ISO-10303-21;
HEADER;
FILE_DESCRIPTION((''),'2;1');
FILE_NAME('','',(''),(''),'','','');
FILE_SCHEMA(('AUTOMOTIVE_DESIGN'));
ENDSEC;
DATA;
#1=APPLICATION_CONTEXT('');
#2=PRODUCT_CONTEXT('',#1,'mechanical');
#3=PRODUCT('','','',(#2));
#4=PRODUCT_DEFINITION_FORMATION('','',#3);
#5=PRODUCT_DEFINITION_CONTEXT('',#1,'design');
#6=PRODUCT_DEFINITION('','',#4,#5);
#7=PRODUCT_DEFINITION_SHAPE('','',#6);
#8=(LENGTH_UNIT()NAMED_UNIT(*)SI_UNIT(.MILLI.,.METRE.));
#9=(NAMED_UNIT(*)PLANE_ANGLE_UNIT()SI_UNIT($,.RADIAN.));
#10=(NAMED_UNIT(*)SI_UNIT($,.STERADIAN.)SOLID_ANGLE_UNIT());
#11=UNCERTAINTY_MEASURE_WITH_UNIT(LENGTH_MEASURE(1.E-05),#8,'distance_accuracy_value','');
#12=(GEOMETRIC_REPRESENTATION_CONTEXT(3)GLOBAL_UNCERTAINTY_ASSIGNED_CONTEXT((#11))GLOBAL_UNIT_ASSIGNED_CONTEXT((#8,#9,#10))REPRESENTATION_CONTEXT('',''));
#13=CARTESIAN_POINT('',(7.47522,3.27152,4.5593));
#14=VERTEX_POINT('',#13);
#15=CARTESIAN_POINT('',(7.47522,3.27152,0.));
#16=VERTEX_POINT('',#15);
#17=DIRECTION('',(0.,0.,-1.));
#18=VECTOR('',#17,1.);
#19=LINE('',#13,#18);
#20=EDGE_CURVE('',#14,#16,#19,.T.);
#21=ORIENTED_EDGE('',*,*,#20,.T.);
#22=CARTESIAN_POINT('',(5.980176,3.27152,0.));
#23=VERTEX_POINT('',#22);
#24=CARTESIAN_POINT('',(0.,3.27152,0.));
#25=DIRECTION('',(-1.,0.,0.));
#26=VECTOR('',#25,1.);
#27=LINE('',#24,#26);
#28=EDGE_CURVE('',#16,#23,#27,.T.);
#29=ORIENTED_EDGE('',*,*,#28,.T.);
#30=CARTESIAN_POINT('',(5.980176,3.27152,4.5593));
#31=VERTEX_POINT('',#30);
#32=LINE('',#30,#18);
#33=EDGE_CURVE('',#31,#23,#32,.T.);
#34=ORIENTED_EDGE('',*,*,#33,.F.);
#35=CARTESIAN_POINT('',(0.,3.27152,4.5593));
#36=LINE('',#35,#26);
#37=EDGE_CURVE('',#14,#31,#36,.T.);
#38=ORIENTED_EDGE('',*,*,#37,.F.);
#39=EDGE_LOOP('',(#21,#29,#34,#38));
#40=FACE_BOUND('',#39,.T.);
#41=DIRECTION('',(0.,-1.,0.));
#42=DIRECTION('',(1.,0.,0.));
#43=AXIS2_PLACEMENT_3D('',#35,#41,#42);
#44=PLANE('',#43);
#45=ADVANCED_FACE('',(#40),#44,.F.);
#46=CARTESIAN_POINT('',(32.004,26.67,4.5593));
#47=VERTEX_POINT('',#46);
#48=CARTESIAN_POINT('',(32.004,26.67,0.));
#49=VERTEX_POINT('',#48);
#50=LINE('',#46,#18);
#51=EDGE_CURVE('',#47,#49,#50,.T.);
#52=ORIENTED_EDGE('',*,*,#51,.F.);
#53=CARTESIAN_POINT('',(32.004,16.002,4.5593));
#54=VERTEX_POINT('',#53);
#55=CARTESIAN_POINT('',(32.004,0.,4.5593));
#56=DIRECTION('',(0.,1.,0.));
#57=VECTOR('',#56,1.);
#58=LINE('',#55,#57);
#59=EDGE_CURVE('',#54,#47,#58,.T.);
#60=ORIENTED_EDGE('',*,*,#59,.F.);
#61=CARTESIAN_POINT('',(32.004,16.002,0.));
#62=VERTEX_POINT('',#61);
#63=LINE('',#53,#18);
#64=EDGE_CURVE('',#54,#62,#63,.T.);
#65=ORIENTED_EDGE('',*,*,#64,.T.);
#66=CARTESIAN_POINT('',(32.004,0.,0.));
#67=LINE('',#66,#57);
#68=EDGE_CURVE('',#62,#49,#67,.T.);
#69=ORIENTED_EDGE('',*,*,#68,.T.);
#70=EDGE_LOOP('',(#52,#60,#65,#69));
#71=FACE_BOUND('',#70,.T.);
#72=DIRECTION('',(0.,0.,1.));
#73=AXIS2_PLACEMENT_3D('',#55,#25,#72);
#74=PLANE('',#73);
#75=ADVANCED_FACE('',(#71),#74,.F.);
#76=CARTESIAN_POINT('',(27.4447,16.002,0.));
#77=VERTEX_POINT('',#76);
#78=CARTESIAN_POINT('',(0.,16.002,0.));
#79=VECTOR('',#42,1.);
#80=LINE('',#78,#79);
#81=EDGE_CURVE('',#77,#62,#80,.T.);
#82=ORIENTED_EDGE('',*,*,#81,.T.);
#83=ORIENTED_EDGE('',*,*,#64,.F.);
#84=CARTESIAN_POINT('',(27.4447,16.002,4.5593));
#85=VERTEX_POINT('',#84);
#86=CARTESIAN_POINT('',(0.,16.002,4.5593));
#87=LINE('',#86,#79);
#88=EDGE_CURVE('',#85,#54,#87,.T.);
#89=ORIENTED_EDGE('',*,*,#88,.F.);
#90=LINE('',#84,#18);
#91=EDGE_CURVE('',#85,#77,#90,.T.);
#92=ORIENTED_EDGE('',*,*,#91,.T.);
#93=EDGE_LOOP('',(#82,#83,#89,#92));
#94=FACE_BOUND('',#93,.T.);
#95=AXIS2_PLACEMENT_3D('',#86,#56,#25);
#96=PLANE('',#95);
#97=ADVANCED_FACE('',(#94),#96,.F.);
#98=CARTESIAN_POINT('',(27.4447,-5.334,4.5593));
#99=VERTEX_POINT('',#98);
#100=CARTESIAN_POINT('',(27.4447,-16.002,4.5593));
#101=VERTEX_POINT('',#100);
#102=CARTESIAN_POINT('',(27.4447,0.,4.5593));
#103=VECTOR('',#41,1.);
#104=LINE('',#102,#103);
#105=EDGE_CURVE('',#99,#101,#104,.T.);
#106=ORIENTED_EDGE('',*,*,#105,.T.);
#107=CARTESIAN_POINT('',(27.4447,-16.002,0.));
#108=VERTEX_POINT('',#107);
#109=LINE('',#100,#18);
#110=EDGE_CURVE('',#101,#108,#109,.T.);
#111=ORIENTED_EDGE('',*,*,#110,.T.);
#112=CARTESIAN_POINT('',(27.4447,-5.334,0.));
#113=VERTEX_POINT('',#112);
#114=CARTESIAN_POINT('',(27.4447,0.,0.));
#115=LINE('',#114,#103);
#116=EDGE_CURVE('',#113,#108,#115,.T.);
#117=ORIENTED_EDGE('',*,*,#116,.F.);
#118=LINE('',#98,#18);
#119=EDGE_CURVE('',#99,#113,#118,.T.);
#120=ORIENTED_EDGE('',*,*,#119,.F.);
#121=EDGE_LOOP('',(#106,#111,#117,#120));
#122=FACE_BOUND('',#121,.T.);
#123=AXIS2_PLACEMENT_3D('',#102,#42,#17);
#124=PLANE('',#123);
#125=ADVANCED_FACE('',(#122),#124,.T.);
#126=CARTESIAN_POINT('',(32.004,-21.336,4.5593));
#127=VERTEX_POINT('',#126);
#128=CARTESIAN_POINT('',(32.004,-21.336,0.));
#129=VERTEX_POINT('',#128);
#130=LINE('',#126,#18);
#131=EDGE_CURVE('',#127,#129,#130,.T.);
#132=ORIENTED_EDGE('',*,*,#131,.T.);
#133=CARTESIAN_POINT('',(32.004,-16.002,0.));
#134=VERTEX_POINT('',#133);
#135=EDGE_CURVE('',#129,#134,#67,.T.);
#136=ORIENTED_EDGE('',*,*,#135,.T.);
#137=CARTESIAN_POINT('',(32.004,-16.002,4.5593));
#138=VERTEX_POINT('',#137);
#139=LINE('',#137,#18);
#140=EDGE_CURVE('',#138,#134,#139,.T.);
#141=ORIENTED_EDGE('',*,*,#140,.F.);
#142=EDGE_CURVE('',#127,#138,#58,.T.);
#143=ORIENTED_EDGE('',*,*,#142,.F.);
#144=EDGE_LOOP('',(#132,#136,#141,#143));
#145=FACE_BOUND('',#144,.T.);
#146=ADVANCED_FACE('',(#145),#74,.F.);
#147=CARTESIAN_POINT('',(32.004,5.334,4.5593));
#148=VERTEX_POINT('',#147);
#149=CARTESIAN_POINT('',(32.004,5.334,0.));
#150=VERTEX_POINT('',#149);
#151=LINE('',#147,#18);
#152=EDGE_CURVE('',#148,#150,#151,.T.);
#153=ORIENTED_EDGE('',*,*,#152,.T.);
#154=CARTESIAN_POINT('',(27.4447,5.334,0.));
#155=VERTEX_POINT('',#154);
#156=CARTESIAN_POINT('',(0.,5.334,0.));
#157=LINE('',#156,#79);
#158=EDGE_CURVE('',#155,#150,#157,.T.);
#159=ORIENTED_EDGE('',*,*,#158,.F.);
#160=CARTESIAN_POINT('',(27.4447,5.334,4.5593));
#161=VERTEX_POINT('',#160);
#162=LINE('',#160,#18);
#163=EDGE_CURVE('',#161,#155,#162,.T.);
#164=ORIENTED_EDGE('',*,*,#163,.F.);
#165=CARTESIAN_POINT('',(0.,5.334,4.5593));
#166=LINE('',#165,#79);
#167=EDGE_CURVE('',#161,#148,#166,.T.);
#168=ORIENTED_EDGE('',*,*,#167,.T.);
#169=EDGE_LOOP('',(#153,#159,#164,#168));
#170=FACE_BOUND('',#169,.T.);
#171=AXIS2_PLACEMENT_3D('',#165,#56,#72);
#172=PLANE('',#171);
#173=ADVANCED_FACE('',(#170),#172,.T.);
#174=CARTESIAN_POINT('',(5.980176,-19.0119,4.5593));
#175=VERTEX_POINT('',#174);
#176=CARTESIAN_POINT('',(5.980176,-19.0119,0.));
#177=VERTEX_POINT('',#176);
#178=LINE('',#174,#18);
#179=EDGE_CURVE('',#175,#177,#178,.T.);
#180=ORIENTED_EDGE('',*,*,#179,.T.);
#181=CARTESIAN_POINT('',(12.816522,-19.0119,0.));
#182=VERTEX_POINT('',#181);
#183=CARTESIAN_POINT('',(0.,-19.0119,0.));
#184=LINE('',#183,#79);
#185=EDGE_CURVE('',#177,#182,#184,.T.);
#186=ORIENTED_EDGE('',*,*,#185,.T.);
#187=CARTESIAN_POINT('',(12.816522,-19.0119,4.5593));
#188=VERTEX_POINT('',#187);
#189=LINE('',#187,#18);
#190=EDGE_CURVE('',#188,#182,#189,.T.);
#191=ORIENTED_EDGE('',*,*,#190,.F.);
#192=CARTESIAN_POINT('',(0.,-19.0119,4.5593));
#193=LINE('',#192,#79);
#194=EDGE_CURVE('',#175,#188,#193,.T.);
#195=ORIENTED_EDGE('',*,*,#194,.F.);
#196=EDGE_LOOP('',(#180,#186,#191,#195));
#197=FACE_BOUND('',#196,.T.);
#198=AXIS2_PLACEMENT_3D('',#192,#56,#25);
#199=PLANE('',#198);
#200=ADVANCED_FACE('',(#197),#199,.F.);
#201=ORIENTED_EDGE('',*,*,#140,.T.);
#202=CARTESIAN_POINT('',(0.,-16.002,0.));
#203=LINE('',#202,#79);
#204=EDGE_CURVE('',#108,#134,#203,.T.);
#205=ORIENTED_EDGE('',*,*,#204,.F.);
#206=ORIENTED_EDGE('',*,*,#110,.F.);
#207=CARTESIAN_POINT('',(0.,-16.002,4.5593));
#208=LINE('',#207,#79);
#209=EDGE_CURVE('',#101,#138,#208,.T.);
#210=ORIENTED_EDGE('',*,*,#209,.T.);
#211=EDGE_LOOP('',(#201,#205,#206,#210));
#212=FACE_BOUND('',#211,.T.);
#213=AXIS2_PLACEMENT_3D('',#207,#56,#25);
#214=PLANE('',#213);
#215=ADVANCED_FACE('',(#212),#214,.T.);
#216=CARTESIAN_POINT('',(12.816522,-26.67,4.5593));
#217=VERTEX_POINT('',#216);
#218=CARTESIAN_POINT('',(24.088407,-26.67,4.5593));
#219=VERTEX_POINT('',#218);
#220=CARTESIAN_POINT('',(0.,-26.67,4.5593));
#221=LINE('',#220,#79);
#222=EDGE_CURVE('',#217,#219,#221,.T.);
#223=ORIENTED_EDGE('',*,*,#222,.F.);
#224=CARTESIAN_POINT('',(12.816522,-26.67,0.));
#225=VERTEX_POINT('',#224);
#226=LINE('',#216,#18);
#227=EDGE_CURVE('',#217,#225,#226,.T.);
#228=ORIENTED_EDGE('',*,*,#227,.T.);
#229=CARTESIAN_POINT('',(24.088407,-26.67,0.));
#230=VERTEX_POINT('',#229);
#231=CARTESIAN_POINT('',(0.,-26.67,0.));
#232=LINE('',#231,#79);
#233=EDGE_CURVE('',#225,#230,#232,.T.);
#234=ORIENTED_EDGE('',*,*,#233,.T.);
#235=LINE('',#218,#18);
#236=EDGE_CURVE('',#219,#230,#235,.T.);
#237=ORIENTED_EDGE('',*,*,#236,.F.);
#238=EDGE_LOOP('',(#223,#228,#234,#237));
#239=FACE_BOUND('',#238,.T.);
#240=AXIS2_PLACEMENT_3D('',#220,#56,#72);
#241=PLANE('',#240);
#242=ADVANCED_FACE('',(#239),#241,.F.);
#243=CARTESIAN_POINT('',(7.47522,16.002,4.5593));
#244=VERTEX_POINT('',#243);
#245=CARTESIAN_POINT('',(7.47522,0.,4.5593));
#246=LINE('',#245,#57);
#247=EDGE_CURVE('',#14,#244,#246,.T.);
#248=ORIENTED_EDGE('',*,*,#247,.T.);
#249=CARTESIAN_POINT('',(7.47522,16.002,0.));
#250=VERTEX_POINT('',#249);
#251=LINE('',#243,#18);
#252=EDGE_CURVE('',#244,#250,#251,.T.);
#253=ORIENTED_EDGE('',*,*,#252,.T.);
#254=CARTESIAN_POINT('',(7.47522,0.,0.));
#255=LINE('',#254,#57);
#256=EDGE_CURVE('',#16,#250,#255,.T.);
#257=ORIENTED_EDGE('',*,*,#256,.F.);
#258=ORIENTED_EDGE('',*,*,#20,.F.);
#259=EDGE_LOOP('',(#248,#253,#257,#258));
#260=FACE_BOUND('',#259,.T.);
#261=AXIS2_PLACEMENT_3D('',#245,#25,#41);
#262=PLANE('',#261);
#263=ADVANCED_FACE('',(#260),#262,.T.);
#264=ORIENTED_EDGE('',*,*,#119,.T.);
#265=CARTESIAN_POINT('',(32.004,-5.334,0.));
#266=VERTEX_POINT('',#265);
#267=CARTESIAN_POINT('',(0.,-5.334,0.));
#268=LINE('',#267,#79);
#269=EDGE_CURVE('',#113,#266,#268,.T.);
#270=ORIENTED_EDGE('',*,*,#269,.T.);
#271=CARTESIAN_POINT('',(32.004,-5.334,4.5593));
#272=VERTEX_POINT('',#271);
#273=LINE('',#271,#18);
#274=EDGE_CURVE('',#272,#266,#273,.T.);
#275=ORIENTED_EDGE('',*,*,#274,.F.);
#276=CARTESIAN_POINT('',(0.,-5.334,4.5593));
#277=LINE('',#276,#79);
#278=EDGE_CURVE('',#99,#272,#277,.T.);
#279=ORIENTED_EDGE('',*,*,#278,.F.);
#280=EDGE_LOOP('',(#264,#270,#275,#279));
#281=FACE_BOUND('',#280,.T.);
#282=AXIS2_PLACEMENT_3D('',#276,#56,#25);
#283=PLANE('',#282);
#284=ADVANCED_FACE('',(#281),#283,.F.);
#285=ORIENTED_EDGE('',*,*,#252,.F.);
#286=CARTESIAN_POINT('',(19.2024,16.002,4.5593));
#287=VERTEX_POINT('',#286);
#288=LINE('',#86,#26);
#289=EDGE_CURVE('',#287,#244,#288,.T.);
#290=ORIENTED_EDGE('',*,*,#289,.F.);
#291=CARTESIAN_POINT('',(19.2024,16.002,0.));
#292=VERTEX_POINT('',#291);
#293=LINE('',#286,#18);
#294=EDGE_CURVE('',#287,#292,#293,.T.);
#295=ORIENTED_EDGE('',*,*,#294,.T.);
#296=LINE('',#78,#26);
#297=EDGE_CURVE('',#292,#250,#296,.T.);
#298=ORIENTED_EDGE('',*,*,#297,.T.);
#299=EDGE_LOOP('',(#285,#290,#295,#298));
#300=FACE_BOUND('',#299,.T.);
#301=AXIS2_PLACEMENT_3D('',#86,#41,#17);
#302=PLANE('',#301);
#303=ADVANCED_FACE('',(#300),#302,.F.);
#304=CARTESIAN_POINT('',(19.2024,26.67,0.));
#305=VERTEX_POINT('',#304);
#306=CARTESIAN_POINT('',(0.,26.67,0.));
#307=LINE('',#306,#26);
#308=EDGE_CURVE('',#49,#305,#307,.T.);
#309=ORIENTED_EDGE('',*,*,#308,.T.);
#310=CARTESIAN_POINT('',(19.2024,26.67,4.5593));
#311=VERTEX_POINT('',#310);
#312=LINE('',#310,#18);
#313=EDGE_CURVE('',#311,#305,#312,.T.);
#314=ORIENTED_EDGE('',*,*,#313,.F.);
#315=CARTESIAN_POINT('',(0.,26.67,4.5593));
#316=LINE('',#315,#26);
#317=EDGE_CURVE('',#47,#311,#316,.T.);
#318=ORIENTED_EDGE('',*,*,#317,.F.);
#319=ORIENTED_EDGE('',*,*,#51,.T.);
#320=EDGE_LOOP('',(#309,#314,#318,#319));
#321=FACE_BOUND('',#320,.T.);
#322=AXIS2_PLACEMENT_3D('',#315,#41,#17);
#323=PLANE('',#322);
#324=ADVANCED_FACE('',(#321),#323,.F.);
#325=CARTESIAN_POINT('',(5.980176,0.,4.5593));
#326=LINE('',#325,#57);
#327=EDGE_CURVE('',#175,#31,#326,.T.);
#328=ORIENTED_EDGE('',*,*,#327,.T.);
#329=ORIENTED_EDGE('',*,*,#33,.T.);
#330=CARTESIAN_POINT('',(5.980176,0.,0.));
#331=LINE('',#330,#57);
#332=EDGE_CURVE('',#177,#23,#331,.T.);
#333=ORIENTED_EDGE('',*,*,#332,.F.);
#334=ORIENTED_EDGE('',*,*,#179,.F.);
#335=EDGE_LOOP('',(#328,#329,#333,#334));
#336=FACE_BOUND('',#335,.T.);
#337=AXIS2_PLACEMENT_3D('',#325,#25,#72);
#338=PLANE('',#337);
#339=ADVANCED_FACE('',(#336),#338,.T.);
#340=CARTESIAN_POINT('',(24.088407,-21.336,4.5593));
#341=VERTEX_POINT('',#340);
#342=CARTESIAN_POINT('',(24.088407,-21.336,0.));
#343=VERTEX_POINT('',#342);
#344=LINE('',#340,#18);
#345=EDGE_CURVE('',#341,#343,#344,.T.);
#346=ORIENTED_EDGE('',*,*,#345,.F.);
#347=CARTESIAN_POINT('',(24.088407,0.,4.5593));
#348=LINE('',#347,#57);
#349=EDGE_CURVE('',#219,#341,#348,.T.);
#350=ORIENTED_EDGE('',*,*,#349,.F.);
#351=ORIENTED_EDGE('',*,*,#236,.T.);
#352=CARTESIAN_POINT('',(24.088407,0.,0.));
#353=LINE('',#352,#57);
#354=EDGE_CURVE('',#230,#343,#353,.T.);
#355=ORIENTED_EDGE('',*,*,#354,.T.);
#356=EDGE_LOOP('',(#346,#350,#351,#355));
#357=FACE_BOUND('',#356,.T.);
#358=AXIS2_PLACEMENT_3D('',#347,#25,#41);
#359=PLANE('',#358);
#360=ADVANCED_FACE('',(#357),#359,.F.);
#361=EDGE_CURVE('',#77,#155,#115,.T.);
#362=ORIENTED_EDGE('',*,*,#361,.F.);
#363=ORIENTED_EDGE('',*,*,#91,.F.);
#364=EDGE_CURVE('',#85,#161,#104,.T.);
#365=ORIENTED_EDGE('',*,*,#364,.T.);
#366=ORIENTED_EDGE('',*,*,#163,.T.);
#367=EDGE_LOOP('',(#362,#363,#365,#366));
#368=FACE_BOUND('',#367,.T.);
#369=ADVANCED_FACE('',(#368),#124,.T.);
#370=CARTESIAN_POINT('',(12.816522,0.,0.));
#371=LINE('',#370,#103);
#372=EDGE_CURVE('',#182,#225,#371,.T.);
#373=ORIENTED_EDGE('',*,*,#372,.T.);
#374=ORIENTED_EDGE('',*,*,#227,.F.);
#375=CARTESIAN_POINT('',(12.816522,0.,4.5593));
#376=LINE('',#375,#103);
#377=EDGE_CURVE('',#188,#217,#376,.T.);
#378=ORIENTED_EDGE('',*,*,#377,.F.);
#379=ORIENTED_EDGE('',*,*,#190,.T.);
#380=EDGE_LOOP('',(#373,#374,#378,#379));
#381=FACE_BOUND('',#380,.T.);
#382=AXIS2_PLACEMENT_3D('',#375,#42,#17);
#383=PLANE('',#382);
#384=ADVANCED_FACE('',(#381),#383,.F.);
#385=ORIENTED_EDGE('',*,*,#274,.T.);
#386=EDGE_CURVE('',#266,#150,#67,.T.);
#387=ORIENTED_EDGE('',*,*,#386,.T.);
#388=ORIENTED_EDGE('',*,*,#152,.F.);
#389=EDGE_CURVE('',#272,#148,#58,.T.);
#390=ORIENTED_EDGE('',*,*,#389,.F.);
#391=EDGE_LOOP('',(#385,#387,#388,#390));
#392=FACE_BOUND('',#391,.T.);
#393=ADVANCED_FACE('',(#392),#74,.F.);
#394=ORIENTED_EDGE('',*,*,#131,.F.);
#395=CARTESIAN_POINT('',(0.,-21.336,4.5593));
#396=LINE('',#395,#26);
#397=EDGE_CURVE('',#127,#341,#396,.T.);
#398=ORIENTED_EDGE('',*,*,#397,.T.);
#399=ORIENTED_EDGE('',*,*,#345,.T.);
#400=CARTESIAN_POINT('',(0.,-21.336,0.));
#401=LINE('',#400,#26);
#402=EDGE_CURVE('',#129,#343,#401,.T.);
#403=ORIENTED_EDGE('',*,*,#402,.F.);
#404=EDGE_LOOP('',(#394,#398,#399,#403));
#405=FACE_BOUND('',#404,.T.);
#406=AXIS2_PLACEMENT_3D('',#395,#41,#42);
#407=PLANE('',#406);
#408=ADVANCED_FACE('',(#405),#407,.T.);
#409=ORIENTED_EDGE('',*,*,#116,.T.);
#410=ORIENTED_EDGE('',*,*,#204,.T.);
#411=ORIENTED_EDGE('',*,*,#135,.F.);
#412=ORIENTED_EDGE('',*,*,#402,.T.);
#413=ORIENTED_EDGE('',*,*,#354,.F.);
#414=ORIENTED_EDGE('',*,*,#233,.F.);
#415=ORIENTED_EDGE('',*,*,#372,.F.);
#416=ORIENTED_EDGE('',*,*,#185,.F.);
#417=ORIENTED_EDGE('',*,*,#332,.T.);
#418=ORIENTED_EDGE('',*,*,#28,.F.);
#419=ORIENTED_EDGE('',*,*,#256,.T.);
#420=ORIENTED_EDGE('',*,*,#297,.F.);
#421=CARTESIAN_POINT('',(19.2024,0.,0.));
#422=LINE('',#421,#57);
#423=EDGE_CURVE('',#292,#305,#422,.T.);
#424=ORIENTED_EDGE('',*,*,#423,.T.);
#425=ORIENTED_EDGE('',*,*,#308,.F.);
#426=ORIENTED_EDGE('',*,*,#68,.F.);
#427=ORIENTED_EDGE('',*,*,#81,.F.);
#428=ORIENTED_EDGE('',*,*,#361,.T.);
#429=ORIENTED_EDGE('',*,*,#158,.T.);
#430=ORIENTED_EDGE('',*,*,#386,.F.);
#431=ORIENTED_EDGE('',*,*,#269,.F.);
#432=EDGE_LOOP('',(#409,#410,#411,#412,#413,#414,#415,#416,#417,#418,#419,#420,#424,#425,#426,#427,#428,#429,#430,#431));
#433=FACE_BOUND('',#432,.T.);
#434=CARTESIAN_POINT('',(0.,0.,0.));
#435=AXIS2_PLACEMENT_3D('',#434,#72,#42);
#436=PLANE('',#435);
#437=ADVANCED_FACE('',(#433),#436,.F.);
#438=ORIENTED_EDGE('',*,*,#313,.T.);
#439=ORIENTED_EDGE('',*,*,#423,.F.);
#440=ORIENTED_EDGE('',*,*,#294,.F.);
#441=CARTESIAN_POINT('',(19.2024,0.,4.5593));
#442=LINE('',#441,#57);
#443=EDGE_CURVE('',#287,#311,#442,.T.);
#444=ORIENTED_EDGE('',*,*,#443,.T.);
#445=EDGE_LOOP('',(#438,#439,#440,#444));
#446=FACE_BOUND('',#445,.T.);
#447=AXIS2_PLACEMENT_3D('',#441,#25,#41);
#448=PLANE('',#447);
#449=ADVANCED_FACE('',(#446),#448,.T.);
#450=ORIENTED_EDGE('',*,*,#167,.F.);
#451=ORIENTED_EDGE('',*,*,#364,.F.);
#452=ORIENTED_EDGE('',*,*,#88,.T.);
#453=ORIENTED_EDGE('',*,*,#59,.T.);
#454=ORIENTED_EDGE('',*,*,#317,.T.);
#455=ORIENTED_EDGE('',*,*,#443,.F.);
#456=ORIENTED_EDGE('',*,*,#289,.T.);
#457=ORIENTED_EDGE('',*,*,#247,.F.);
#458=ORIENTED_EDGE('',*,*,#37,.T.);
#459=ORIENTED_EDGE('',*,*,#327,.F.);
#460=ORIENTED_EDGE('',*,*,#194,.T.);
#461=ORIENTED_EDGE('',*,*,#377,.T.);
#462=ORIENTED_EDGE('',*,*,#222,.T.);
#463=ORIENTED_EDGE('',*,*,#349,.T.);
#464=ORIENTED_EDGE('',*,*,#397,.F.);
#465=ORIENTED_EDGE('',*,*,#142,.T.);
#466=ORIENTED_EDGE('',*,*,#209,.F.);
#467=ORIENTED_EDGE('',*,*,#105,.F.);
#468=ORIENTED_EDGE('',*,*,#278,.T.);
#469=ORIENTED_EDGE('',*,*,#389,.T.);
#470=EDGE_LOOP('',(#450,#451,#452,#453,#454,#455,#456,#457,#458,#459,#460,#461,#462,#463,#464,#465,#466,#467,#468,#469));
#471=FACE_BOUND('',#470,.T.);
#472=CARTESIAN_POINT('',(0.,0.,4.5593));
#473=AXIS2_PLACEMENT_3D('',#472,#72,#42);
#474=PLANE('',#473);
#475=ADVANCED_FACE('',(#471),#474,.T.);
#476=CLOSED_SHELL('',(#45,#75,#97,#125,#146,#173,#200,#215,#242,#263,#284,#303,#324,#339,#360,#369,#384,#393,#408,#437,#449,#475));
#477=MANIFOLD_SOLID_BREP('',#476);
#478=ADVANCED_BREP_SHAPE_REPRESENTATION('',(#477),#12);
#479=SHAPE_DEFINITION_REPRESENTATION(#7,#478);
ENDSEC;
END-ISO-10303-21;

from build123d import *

# Parameters (mm, degrees)
BOSS_EXTRUDE1_DEPTH = 4.5593


with BuildPart() as part:
    # Sketch1 → Boss-Extrude1 (new body)
    with BuildSketch(Plane.XY):
        Polygon((24.0884075, -21.336), (32.004, -21.336), (32.004, -16.002), (27.4447, -16.002), (27.4447, -5.334), (32.004, -5.334), (32.004, 5.334), (27.4447, 5.334), (27.4447, 16.002), (32.004, 16.002), (32.004, 26.67), (19.2024, 26.67), (19.2024, 21.336), (19.2024, 16.002), (7.47522, 16.002), (7.47522, 12.9921), (7.47522, 3.27152), (5.980176, 3.27152), (5.980176, -19.0119), (8.2572225, -19.0119), (12.8165225, -19.0119), (12.8165225, -26.67), (24.0884075, -26.67), align=None)
    extrude(amount=BOSS_EXTRUDE1_DEPTH)


solid = part.part
